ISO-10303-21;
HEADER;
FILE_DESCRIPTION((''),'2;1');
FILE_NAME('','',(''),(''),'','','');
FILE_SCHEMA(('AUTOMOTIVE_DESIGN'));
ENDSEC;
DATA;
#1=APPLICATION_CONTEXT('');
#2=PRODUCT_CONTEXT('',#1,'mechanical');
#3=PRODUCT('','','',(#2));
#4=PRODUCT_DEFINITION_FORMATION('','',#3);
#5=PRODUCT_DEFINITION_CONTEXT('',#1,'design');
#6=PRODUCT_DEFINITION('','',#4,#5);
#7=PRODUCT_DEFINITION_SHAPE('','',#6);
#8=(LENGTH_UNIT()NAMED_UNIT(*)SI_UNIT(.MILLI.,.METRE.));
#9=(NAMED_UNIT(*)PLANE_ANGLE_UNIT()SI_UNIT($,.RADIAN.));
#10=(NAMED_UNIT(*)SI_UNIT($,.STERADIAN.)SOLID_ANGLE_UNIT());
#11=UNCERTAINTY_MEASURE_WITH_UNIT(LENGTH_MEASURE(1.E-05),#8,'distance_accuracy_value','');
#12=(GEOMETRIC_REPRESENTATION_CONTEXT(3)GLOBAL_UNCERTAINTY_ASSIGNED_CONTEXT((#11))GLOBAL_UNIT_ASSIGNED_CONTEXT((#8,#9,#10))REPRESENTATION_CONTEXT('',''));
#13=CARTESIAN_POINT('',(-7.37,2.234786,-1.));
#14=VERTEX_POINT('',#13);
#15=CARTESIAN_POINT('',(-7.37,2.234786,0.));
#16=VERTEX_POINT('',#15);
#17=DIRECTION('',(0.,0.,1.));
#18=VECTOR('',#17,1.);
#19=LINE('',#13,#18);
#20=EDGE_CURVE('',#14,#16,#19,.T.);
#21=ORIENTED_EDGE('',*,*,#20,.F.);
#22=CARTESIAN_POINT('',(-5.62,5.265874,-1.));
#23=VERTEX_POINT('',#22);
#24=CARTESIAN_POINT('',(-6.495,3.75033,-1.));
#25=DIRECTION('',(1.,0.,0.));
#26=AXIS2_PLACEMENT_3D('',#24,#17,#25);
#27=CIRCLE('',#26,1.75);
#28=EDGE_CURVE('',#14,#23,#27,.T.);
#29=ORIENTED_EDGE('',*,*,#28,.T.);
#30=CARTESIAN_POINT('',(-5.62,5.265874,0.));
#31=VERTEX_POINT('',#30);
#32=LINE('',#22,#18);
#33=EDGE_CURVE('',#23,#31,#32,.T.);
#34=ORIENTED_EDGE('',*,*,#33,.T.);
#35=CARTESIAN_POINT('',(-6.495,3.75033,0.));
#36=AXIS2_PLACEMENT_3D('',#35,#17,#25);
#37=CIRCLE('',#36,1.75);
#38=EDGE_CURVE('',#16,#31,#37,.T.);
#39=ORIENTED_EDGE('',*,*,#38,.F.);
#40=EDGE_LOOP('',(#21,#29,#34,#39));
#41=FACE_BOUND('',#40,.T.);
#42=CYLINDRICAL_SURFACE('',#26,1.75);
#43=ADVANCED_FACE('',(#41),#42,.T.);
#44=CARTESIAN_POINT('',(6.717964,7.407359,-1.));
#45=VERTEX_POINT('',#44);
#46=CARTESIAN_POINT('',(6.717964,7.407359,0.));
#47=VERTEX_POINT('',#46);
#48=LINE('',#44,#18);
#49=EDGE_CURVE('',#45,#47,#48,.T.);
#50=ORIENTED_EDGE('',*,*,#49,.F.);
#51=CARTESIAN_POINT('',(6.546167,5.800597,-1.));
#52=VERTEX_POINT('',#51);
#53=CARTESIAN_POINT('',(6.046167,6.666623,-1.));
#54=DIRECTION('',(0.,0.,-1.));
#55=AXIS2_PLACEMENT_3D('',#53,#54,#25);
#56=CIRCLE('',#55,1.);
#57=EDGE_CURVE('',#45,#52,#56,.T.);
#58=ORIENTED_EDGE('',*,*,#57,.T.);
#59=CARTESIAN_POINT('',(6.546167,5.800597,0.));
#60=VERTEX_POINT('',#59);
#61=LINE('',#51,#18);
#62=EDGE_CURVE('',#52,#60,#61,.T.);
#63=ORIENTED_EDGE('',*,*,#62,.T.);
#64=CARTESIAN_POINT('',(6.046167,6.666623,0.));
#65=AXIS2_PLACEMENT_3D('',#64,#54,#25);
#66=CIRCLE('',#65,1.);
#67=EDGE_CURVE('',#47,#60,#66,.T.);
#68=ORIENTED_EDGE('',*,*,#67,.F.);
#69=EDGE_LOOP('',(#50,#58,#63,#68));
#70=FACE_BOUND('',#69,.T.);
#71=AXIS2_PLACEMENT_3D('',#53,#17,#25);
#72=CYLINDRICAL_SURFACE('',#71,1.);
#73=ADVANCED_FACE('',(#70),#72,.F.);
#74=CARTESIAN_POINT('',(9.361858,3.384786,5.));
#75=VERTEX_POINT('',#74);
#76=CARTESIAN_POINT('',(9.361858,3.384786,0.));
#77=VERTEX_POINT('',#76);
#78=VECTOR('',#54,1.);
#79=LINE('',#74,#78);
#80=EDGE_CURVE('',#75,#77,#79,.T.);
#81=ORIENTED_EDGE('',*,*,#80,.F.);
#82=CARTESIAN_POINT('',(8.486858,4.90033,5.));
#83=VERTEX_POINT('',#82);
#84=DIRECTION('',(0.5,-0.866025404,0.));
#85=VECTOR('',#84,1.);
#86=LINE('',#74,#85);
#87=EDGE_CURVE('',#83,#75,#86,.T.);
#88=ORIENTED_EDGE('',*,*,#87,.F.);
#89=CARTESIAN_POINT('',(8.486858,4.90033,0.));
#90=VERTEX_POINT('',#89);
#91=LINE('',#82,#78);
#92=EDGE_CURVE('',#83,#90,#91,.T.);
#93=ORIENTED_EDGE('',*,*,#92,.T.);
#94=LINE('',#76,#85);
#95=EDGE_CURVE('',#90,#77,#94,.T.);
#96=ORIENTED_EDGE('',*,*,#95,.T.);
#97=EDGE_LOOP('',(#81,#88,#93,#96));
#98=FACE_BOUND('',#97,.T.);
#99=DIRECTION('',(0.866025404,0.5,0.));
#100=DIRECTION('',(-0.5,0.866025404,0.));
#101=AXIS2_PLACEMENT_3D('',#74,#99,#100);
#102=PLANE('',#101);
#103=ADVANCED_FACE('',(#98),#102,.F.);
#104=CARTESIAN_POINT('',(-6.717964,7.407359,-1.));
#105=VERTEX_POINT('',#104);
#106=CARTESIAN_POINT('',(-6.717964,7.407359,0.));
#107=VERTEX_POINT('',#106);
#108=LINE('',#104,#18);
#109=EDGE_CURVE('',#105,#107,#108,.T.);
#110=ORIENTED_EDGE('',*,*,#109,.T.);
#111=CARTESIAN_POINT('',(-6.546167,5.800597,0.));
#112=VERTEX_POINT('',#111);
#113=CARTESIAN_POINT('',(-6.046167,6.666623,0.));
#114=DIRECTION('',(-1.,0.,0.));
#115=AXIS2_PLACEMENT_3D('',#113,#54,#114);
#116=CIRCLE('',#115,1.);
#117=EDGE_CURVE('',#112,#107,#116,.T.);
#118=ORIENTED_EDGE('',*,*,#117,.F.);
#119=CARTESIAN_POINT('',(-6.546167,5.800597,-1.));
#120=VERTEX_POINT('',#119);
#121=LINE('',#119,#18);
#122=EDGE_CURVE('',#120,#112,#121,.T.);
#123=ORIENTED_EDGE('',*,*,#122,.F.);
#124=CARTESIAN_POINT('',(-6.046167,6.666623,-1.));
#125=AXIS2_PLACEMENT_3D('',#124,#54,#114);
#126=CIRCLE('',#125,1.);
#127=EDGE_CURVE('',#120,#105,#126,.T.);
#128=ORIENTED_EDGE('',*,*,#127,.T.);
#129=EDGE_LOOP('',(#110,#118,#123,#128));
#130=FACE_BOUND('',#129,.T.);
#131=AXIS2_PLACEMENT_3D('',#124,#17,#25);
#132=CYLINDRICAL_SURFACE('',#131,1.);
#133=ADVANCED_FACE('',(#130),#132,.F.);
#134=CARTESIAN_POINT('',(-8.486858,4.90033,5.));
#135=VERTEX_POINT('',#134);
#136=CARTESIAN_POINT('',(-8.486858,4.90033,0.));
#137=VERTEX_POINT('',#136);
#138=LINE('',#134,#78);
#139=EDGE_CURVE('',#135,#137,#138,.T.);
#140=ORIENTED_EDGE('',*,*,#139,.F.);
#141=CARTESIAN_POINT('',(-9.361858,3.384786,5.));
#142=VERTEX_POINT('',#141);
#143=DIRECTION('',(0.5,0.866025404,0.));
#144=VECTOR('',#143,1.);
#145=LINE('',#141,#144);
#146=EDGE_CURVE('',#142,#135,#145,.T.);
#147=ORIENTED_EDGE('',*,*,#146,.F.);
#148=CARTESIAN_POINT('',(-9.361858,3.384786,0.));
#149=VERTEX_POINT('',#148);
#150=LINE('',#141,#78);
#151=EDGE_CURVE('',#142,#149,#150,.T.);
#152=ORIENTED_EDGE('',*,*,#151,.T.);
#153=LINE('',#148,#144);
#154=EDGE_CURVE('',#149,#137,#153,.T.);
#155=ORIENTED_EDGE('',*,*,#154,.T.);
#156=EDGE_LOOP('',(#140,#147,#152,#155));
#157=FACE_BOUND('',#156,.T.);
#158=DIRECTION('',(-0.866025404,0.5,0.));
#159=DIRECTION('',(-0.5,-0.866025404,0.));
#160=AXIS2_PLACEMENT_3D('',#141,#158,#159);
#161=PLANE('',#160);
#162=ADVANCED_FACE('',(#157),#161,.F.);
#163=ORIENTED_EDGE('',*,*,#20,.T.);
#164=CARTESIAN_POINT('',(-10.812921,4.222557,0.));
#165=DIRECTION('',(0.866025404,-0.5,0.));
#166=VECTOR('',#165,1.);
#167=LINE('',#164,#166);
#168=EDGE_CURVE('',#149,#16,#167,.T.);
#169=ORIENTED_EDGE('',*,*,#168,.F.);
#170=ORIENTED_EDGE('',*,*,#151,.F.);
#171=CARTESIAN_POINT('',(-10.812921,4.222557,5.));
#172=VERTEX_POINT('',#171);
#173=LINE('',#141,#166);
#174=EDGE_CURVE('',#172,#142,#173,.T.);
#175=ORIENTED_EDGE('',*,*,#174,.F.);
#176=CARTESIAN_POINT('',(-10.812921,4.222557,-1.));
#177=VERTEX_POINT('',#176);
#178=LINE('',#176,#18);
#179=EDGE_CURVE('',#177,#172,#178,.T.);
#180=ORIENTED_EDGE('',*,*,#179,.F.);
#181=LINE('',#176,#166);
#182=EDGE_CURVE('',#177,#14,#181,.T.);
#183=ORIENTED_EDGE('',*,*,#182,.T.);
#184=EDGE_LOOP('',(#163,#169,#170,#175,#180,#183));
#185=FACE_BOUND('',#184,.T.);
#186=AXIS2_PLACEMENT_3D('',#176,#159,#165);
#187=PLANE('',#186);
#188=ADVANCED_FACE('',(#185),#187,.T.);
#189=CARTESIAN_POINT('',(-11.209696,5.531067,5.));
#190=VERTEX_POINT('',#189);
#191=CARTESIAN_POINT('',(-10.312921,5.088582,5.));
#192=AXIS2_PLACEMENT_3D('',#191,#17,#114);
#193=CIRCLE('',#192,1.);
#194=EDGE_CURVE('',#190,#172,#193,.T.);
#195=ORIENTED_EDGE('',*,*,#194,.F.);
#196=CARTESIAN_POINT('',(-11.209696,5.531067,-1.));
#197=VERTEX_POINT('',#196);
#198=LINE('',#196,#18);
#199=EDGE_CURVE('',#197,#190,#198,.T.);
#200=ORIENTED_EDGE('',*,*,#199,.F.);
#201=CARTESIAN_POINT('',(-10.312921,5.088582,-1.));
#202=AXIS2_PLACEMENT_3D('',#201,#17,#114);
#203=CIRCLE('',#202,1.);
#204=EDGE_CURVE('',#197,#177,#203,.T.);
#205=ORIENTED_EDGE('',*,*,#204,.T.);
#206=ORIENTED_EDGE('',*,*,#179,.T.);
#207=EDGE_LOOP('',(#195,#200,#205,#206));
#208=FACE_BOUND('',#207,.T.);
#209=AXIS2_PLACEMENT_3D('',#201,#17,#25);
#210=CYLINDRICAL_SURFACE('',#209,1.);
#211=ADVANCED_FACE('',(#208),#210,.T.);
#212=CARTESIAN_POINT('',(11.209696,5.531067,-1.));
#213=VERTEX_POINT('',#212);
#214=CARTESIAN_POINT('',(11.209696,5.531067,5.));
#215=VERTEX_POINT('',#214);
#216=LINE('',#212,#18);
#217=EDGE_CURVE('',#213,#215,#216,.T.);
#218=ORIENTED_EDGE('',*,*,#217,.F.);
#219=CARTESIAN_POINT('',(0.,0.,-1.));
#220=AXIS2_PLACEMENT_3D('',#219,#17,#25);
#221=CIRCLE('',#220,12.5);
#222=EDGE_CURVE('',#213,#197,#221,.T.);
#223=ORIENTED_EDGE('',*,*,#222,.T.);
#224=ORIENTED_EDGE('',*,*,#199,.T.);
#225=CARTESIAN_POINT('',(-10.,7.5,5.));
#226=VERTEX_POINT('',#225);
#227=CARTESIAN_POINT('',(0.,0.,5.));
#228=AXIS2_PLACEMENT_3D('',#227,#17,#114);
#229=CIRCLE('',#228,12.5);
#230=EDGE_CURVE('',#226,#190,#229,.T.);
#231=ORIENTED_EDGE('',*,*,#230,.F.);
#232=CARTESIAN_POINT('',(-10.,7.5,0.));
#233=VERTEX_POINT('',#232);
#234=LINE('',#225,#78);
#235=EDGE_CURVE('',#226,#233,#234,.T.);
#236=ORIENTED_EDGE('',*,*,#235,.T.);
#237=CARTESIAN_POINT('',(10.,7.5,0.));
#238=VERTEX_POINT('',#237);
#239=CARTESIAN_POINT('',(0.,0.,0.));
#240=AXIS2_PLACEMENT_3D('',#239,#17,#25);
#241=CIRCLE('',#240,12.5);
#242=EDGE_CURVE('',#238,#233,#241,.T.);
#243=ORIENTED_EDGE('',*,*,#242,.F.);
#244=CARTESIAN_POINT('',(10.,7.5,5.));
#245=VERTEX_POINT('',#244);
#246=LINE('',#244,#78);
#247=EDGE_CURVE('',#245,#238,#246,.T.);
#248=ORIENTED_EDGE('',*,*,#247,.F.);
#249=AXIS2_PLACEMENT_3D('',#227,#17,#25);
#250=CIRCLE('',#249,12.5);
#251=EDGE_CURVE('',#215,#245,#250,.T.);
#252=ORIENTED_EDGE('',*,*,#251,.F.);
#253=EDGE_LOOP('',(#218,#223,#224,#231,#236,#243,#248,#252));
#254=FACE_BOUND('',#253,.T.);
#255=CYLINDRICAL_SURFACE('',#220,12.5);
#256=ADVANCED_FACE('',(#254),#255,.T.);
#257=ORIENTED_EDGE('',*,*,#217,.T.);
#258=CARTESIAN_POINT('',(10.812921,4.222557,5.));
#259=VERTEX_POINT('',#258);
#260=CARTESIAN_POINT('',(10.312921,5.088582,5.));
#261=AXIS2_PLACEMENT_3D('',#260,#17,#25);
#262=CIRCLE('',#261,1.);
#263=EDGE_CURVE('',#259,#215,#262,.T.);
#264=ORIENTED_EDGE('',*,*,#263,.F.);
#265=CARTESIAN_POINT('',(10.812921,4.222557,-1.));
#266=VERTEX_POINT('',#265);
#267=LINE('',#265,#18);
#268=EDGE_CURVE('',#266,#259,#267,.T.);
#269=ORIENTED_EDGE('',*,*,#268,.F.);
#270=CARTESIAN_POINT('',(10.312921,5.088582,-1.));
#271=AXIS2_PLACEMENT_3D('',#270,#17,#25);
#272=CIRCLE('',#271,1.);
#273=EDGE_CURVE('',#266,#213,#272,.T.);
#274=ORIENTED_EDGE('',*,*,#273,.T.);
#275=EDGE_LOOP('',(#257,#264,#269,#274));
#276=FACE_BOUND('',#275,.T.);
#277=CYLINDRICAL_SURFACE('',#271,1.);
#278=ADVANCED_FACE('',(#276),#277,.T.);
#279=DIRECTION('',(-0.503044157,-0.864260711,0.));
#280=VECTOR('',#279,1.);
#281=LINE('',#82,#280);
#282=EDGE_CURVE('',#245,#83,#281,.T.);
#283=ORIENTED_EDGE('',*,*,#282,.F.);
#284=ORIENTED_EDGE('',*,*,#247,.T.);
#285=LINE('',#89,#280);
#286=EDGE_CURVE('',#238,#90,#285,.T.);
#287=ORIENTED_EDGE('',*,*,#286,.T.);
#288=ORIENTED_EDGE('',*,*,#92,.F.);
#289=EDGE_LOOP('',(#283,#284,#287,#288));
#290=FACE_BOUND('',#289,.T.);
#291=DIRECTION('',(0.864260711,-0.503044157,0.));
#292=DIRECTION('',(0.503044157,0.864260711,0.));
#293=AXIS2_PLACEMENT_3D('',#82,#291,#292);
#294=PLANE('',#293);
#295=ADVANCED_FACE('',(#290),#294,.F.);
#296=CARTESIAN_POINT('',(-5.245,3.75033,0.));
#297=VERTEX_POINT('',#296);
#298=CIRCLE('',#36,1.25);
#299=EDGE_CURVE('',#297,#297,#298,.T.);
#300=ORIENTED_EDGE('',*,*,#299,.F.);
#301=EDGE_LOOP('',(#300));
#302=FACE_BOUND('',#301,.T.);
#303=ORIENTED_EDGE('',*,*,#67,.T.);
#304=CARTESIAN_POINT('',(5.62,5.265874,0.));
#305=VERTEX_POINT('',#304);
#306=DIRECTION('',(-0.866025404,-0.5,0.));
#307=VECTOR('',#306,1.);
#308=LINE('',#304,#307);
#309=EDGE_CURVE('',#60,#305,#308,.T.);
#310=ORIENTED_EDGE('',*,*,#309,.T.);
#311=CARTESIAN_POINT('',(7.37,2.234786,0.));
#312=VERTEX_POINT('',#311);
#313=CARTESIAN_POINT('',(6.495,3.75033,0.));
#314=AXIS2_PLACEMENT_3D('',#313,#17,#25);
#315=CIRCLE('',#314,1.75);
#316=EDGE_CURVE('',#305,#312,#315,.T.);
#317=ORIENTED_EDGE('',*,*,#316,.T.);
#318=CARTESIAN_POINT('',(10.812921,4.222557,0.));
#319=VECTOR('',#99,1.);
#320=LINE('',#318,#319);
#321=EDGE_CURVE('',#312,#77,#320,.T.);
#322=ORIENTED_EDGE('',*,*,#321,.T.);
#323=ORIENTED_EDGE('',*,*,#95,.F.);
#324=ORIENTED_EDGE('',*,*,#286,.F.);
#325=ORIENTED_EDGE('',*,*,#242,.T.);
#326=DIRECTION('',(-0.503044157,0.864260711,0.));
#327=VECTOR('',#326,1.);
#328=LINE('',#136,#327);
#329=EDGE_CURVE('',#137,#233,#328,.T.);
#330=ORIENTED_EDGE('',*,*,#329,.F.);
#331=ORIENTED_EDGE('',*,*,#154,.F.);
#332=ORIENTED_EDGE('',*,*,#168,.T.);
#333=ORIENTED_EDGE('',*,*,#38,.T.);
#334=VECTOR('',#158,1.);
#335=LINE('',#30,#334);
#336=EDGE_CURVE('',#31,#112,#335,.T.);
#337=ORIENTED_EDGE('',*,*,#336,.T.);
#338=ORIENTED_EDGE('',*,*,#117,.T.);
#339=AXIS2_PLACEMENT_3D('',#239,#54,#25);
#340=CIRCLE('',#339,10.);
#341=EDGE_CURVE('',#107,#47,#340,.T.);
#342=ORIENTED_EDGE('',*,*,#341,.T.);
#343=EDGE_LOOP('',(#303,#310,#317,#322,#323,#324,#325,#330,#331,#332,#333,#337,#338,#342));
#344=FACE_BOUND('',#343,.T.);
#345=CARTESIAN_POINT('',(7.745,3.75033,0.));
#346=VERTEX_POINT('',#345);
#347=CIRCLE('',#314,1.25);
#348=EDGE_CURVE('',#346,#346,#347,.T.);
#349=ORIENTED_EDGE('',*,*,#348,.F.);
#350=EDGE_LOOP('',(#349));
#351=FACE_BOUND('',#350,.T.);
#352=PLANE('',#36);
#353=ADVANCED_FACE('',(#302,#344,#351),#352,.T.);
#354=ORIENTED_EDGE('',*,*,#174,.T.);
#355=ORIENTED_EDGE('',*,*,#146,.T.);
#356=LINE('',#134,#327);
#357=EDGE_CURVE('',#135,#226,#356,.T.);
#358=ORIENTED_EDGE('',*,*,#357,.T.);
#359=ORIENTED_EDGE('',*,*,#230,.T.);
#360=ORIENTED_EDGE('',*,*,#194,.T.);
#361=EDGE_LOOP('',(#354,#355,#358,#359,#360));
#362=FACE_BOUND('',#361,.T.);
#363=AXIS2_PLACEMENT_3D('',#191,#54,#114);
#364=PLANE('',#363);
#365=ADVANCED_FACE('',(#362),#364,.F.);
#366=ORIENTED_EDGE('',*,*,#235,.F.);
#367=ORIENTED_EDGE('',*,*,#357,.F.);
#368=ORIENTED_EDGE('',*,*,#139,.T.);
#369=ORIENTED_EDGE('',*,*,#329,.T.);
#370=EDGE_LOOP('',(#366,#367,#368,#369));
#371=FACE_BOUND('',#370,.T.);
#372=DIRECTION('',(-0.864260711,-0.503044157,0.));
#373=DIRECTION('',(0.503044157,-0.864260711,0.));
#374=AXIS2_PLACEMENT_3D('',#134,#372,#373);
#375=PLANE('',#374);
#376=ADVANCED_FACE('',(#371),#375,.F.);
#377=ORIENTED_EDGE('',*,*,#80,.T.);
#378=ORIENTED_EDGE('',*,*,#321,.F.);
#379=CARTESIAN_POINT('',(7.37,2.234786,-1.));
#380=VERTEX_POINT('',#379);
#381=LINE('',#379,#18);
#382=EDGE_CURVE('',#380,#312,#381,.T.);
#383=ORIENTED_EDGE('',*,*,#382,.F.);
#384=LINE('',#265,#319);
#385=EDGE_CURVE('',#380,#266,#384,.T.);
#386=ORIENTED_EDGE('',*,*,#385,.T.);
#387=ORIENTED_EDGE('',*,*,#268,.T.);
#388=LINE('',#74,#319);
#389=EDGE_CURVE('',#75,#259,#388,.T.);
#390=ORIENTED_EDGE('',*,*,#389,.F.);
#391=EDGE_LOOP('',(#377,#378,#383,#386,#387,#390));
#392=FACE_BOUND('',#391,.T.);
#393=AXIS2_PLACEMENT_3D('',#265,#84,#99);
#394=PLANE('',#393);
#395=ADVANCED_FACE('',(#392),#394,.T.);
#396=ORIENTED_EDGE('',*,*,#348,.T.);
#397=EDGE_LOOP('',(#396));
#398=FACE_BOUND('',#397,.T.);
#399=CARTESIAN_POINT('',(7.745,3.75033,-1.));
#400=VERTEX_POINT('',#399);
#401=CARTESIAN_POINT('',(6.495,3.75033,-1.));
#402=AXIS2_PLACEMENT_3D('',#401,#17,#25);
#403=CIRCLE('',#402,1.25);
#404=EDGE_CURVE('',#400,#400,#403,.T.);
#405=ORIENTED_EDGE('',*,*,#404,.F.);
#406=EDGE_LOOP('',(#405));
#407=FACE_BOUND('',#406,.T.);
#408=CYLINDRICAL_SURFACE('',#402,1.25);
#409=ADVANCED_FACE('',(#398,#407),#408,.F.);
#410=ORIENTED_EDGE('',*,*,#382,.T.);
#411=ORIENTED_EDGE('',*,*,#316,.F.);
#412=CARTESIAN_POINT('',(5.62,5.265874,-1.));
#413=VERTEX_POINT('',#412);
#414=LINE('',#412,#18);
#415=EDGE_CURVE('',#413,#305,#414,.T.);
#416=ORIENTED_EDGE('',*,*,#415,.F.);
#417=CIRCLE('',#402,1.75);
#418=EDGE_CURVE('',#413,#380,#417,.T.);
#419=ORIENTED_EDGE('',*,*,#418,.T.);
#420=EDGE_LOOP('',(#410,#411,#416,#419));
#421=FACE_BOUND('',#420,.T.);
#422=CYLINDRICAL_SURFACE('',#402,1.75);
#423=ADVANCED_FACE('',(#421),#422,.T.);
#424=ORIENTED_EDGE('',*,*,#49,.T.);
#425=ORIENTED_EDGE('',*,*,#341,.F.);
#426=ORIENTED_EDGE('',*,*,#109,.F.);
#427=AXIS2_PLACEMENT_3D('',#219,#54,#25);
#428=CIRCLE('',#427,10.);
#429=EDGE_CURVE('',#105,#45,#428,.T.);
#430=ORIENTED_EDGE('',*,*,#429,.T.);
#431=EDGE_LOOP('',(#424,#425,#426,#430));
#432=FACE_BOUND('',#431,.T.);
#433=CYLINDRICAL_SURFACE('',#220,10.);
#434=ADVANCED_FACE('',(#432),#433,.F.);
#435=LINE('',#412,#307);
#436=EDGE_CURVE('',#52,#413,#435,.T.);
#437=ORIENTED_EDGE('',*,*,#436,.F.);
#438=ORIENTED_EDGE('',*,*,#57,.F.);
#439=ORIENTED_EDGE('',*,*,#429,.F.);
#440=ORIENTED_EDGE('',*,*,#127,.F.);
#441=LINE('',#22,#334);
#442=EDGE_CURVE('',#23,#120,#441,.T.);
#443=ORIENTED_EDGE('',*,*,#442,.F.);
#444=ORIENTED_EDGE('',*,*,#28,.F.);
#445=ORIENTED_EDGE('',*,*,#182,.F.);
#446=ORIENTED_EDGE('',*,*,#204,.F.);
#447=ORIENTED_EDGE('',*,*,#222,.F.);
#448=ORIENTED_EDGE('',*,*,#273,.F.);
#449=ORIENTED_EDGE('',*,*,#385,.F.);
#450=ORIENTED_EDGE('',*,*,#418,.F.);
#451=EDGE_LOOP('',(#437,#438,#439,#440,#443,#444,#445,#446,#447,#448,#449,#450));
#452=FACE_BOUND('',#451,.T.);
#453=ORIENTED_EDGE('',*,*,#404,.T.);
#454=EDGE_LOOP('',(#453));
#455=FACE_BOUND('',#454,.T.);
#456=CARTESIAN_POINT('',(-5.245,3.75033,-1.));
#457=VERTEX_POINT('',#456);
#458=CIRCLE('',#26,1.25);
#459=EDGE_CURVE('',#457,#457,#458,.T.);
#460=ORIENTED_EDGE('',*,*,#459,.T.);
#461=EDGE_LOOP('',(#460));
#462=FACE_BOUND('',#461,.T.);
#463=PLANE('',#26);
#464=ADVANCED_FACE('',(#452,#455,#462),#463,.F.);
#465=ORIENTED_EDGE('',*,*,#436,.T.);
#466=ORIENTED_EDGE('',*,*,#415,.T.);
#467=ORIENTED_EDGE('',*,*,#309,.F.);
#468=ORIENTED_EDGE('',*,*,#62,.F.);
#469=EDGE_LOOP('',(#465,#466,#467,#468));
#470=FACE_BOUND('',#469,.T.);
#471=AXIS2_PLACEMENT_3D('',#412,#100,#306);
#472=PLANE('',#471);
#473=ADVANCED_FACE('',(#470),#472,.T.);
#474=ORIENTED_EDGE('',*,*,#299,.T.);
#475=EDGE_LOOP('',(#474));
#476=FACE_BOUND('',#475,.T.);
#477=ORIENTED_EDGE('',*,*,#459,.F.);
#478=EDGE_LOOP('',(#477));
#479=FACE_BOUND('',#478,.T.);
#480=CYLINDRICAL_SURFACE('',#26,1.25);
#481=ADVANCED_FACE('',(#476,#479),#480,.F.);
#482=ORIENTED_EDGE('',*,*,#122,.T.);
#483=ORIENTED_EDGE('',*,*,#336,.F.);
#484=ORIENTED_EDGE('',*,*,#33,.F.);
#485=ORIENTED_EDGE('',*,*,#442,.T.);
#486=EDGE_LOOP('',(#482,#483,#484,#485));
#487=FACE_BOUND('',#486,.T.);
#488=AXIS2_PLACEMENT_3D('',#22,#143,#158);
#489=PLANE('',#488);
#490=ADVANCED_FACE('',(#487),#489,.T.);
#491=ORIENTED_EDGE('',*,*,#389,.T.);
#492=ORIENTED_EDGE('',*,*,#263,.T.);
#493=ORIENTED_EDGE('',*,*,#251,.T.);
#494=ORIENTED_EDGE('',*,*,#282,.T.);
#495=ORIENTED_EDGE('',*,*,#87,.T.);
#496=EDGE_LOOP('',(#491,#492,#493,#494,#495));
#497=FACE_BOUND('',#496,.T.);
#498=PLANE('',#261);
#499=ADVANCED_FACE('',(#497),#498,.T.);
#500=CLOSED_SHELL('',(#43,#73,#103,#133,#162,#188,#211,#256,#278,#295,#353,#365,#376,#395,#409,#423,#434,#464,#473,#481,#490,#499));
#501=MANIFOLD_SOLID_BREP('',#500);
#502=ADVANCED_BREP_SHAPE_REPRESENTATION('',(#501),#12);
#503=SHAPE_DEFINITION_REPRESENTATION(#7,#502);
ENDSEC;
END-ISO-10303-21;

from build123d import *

# Parameters (mm, degrees)
SKETCH1_R           = 1.25
BOSS_EXTRUDE1_DEPTH = 1
BOSS_EXTRUDE2_START = 5
BOSS_EXTRUDE2_DEPTH = 5


with BuildPart() as part:
    # Sketch1 → Boss-Extrude1 (new body)
    with BuildSketch(Plane.XY):
        with BuildLine():
            Line((10.812920647, 4.222556691), (7.37, 2.234785529))
            ThreePointArc((7.37, 2.234785529), (4.979455543, 2.875329985), (5.62, 5.265874442))
            Line((5.62, 5.265874442), (6.546167381, 5.800597429))
            ThreePointArc((6.546167381, 5.800597429), (7.040499888, 6.560307898), (6.717963757, 7.407358703))
            ThreePointArc((6.717963757, 7.407358703), (0, 10), (-6.717963757, 7.407358703))
            ThreePointArc((-6.717963757, 7.407358703), (-7.040499888, 6.560307898), (-6.546167381, 5.800597429))
            Line((-6.546167381, 5.800597429), (-5.62, 5.265874442))
            ThreePointArc((-5.62, 5.265874442), (-4.979455543, 2.875329985), (-7.37, 2.234785529))
            Line((-7.37, 2.234785529), (-10.812920647, 4.222556691))
            ThreePointArc((-10.812920647, 4.222556691), (-11.269892812, 4.798402367), (-11.209696355, 5.531067494))
            ThreePointArc((-11.209696355, 5.531067494), (0, 12.5), (11.209696355, 5.531067494))
            ThreePointArc((11.209696355, 5.531067494), (11.269892812, 4.798402367), (10.812920647, 4.222556691))
        make_face()
        with Locations((-6.495, 3.750329985)):
            Circle(SKETCH1_R, mode=Mode.SUBTRACT)
        with Locations((6.495, 3.750329985)):
            Circle(SKETCH1_R, mode=Mode.SUBTRACT)
    extrude(amount=-BOSS_EXTRUDE1_DEPTH)

    # Sketch2 → Boss-Extrude2 (add)
    with BuildSketch(Plane.XY.offset(BOSS_EXTRUDE2_START)):
        with BuildLine():
            Line((9.361858429, 3.384785529), (8.486858429, 4.900329985))
            Line((8.486858429, 4.900329985), (10, 7.5))
            ThreePointArc((10, 7.5), (10.650444999, 6.543548069), (11.209696355, 5.531067494))
            ThreePointArc((11.209696355, 5.531067494), (11.269892812, 4.798402367), (10.812920647, 4.222556691))
            Line((10.812920647, 4.222556691), (9.361858429, 3.384785529))
        make_face()
        with BuildLine():
            Line((-9.361858429, 3.384785529), (-10.812920647, 4.222556691))
            ThreePointArc((-10.812920647, 4.222556691), (-11.269892812, 4.798402367), (-11.209696355, 5.531067494))
            ThreePointArc((-11.209696355, 5.531067494), (-10.650444999, 6.543548069), (-10, 7.5))
            Line((-10, 7.5), (-8.486858429, 4.900329985))
            Line((-8.486858429, 4.900329985), (-9.361858429, 3.384785529))
        make_face()
    extrude(amount=-BOSS_EXTRUDE2_DEPTH)


solid = part.part
